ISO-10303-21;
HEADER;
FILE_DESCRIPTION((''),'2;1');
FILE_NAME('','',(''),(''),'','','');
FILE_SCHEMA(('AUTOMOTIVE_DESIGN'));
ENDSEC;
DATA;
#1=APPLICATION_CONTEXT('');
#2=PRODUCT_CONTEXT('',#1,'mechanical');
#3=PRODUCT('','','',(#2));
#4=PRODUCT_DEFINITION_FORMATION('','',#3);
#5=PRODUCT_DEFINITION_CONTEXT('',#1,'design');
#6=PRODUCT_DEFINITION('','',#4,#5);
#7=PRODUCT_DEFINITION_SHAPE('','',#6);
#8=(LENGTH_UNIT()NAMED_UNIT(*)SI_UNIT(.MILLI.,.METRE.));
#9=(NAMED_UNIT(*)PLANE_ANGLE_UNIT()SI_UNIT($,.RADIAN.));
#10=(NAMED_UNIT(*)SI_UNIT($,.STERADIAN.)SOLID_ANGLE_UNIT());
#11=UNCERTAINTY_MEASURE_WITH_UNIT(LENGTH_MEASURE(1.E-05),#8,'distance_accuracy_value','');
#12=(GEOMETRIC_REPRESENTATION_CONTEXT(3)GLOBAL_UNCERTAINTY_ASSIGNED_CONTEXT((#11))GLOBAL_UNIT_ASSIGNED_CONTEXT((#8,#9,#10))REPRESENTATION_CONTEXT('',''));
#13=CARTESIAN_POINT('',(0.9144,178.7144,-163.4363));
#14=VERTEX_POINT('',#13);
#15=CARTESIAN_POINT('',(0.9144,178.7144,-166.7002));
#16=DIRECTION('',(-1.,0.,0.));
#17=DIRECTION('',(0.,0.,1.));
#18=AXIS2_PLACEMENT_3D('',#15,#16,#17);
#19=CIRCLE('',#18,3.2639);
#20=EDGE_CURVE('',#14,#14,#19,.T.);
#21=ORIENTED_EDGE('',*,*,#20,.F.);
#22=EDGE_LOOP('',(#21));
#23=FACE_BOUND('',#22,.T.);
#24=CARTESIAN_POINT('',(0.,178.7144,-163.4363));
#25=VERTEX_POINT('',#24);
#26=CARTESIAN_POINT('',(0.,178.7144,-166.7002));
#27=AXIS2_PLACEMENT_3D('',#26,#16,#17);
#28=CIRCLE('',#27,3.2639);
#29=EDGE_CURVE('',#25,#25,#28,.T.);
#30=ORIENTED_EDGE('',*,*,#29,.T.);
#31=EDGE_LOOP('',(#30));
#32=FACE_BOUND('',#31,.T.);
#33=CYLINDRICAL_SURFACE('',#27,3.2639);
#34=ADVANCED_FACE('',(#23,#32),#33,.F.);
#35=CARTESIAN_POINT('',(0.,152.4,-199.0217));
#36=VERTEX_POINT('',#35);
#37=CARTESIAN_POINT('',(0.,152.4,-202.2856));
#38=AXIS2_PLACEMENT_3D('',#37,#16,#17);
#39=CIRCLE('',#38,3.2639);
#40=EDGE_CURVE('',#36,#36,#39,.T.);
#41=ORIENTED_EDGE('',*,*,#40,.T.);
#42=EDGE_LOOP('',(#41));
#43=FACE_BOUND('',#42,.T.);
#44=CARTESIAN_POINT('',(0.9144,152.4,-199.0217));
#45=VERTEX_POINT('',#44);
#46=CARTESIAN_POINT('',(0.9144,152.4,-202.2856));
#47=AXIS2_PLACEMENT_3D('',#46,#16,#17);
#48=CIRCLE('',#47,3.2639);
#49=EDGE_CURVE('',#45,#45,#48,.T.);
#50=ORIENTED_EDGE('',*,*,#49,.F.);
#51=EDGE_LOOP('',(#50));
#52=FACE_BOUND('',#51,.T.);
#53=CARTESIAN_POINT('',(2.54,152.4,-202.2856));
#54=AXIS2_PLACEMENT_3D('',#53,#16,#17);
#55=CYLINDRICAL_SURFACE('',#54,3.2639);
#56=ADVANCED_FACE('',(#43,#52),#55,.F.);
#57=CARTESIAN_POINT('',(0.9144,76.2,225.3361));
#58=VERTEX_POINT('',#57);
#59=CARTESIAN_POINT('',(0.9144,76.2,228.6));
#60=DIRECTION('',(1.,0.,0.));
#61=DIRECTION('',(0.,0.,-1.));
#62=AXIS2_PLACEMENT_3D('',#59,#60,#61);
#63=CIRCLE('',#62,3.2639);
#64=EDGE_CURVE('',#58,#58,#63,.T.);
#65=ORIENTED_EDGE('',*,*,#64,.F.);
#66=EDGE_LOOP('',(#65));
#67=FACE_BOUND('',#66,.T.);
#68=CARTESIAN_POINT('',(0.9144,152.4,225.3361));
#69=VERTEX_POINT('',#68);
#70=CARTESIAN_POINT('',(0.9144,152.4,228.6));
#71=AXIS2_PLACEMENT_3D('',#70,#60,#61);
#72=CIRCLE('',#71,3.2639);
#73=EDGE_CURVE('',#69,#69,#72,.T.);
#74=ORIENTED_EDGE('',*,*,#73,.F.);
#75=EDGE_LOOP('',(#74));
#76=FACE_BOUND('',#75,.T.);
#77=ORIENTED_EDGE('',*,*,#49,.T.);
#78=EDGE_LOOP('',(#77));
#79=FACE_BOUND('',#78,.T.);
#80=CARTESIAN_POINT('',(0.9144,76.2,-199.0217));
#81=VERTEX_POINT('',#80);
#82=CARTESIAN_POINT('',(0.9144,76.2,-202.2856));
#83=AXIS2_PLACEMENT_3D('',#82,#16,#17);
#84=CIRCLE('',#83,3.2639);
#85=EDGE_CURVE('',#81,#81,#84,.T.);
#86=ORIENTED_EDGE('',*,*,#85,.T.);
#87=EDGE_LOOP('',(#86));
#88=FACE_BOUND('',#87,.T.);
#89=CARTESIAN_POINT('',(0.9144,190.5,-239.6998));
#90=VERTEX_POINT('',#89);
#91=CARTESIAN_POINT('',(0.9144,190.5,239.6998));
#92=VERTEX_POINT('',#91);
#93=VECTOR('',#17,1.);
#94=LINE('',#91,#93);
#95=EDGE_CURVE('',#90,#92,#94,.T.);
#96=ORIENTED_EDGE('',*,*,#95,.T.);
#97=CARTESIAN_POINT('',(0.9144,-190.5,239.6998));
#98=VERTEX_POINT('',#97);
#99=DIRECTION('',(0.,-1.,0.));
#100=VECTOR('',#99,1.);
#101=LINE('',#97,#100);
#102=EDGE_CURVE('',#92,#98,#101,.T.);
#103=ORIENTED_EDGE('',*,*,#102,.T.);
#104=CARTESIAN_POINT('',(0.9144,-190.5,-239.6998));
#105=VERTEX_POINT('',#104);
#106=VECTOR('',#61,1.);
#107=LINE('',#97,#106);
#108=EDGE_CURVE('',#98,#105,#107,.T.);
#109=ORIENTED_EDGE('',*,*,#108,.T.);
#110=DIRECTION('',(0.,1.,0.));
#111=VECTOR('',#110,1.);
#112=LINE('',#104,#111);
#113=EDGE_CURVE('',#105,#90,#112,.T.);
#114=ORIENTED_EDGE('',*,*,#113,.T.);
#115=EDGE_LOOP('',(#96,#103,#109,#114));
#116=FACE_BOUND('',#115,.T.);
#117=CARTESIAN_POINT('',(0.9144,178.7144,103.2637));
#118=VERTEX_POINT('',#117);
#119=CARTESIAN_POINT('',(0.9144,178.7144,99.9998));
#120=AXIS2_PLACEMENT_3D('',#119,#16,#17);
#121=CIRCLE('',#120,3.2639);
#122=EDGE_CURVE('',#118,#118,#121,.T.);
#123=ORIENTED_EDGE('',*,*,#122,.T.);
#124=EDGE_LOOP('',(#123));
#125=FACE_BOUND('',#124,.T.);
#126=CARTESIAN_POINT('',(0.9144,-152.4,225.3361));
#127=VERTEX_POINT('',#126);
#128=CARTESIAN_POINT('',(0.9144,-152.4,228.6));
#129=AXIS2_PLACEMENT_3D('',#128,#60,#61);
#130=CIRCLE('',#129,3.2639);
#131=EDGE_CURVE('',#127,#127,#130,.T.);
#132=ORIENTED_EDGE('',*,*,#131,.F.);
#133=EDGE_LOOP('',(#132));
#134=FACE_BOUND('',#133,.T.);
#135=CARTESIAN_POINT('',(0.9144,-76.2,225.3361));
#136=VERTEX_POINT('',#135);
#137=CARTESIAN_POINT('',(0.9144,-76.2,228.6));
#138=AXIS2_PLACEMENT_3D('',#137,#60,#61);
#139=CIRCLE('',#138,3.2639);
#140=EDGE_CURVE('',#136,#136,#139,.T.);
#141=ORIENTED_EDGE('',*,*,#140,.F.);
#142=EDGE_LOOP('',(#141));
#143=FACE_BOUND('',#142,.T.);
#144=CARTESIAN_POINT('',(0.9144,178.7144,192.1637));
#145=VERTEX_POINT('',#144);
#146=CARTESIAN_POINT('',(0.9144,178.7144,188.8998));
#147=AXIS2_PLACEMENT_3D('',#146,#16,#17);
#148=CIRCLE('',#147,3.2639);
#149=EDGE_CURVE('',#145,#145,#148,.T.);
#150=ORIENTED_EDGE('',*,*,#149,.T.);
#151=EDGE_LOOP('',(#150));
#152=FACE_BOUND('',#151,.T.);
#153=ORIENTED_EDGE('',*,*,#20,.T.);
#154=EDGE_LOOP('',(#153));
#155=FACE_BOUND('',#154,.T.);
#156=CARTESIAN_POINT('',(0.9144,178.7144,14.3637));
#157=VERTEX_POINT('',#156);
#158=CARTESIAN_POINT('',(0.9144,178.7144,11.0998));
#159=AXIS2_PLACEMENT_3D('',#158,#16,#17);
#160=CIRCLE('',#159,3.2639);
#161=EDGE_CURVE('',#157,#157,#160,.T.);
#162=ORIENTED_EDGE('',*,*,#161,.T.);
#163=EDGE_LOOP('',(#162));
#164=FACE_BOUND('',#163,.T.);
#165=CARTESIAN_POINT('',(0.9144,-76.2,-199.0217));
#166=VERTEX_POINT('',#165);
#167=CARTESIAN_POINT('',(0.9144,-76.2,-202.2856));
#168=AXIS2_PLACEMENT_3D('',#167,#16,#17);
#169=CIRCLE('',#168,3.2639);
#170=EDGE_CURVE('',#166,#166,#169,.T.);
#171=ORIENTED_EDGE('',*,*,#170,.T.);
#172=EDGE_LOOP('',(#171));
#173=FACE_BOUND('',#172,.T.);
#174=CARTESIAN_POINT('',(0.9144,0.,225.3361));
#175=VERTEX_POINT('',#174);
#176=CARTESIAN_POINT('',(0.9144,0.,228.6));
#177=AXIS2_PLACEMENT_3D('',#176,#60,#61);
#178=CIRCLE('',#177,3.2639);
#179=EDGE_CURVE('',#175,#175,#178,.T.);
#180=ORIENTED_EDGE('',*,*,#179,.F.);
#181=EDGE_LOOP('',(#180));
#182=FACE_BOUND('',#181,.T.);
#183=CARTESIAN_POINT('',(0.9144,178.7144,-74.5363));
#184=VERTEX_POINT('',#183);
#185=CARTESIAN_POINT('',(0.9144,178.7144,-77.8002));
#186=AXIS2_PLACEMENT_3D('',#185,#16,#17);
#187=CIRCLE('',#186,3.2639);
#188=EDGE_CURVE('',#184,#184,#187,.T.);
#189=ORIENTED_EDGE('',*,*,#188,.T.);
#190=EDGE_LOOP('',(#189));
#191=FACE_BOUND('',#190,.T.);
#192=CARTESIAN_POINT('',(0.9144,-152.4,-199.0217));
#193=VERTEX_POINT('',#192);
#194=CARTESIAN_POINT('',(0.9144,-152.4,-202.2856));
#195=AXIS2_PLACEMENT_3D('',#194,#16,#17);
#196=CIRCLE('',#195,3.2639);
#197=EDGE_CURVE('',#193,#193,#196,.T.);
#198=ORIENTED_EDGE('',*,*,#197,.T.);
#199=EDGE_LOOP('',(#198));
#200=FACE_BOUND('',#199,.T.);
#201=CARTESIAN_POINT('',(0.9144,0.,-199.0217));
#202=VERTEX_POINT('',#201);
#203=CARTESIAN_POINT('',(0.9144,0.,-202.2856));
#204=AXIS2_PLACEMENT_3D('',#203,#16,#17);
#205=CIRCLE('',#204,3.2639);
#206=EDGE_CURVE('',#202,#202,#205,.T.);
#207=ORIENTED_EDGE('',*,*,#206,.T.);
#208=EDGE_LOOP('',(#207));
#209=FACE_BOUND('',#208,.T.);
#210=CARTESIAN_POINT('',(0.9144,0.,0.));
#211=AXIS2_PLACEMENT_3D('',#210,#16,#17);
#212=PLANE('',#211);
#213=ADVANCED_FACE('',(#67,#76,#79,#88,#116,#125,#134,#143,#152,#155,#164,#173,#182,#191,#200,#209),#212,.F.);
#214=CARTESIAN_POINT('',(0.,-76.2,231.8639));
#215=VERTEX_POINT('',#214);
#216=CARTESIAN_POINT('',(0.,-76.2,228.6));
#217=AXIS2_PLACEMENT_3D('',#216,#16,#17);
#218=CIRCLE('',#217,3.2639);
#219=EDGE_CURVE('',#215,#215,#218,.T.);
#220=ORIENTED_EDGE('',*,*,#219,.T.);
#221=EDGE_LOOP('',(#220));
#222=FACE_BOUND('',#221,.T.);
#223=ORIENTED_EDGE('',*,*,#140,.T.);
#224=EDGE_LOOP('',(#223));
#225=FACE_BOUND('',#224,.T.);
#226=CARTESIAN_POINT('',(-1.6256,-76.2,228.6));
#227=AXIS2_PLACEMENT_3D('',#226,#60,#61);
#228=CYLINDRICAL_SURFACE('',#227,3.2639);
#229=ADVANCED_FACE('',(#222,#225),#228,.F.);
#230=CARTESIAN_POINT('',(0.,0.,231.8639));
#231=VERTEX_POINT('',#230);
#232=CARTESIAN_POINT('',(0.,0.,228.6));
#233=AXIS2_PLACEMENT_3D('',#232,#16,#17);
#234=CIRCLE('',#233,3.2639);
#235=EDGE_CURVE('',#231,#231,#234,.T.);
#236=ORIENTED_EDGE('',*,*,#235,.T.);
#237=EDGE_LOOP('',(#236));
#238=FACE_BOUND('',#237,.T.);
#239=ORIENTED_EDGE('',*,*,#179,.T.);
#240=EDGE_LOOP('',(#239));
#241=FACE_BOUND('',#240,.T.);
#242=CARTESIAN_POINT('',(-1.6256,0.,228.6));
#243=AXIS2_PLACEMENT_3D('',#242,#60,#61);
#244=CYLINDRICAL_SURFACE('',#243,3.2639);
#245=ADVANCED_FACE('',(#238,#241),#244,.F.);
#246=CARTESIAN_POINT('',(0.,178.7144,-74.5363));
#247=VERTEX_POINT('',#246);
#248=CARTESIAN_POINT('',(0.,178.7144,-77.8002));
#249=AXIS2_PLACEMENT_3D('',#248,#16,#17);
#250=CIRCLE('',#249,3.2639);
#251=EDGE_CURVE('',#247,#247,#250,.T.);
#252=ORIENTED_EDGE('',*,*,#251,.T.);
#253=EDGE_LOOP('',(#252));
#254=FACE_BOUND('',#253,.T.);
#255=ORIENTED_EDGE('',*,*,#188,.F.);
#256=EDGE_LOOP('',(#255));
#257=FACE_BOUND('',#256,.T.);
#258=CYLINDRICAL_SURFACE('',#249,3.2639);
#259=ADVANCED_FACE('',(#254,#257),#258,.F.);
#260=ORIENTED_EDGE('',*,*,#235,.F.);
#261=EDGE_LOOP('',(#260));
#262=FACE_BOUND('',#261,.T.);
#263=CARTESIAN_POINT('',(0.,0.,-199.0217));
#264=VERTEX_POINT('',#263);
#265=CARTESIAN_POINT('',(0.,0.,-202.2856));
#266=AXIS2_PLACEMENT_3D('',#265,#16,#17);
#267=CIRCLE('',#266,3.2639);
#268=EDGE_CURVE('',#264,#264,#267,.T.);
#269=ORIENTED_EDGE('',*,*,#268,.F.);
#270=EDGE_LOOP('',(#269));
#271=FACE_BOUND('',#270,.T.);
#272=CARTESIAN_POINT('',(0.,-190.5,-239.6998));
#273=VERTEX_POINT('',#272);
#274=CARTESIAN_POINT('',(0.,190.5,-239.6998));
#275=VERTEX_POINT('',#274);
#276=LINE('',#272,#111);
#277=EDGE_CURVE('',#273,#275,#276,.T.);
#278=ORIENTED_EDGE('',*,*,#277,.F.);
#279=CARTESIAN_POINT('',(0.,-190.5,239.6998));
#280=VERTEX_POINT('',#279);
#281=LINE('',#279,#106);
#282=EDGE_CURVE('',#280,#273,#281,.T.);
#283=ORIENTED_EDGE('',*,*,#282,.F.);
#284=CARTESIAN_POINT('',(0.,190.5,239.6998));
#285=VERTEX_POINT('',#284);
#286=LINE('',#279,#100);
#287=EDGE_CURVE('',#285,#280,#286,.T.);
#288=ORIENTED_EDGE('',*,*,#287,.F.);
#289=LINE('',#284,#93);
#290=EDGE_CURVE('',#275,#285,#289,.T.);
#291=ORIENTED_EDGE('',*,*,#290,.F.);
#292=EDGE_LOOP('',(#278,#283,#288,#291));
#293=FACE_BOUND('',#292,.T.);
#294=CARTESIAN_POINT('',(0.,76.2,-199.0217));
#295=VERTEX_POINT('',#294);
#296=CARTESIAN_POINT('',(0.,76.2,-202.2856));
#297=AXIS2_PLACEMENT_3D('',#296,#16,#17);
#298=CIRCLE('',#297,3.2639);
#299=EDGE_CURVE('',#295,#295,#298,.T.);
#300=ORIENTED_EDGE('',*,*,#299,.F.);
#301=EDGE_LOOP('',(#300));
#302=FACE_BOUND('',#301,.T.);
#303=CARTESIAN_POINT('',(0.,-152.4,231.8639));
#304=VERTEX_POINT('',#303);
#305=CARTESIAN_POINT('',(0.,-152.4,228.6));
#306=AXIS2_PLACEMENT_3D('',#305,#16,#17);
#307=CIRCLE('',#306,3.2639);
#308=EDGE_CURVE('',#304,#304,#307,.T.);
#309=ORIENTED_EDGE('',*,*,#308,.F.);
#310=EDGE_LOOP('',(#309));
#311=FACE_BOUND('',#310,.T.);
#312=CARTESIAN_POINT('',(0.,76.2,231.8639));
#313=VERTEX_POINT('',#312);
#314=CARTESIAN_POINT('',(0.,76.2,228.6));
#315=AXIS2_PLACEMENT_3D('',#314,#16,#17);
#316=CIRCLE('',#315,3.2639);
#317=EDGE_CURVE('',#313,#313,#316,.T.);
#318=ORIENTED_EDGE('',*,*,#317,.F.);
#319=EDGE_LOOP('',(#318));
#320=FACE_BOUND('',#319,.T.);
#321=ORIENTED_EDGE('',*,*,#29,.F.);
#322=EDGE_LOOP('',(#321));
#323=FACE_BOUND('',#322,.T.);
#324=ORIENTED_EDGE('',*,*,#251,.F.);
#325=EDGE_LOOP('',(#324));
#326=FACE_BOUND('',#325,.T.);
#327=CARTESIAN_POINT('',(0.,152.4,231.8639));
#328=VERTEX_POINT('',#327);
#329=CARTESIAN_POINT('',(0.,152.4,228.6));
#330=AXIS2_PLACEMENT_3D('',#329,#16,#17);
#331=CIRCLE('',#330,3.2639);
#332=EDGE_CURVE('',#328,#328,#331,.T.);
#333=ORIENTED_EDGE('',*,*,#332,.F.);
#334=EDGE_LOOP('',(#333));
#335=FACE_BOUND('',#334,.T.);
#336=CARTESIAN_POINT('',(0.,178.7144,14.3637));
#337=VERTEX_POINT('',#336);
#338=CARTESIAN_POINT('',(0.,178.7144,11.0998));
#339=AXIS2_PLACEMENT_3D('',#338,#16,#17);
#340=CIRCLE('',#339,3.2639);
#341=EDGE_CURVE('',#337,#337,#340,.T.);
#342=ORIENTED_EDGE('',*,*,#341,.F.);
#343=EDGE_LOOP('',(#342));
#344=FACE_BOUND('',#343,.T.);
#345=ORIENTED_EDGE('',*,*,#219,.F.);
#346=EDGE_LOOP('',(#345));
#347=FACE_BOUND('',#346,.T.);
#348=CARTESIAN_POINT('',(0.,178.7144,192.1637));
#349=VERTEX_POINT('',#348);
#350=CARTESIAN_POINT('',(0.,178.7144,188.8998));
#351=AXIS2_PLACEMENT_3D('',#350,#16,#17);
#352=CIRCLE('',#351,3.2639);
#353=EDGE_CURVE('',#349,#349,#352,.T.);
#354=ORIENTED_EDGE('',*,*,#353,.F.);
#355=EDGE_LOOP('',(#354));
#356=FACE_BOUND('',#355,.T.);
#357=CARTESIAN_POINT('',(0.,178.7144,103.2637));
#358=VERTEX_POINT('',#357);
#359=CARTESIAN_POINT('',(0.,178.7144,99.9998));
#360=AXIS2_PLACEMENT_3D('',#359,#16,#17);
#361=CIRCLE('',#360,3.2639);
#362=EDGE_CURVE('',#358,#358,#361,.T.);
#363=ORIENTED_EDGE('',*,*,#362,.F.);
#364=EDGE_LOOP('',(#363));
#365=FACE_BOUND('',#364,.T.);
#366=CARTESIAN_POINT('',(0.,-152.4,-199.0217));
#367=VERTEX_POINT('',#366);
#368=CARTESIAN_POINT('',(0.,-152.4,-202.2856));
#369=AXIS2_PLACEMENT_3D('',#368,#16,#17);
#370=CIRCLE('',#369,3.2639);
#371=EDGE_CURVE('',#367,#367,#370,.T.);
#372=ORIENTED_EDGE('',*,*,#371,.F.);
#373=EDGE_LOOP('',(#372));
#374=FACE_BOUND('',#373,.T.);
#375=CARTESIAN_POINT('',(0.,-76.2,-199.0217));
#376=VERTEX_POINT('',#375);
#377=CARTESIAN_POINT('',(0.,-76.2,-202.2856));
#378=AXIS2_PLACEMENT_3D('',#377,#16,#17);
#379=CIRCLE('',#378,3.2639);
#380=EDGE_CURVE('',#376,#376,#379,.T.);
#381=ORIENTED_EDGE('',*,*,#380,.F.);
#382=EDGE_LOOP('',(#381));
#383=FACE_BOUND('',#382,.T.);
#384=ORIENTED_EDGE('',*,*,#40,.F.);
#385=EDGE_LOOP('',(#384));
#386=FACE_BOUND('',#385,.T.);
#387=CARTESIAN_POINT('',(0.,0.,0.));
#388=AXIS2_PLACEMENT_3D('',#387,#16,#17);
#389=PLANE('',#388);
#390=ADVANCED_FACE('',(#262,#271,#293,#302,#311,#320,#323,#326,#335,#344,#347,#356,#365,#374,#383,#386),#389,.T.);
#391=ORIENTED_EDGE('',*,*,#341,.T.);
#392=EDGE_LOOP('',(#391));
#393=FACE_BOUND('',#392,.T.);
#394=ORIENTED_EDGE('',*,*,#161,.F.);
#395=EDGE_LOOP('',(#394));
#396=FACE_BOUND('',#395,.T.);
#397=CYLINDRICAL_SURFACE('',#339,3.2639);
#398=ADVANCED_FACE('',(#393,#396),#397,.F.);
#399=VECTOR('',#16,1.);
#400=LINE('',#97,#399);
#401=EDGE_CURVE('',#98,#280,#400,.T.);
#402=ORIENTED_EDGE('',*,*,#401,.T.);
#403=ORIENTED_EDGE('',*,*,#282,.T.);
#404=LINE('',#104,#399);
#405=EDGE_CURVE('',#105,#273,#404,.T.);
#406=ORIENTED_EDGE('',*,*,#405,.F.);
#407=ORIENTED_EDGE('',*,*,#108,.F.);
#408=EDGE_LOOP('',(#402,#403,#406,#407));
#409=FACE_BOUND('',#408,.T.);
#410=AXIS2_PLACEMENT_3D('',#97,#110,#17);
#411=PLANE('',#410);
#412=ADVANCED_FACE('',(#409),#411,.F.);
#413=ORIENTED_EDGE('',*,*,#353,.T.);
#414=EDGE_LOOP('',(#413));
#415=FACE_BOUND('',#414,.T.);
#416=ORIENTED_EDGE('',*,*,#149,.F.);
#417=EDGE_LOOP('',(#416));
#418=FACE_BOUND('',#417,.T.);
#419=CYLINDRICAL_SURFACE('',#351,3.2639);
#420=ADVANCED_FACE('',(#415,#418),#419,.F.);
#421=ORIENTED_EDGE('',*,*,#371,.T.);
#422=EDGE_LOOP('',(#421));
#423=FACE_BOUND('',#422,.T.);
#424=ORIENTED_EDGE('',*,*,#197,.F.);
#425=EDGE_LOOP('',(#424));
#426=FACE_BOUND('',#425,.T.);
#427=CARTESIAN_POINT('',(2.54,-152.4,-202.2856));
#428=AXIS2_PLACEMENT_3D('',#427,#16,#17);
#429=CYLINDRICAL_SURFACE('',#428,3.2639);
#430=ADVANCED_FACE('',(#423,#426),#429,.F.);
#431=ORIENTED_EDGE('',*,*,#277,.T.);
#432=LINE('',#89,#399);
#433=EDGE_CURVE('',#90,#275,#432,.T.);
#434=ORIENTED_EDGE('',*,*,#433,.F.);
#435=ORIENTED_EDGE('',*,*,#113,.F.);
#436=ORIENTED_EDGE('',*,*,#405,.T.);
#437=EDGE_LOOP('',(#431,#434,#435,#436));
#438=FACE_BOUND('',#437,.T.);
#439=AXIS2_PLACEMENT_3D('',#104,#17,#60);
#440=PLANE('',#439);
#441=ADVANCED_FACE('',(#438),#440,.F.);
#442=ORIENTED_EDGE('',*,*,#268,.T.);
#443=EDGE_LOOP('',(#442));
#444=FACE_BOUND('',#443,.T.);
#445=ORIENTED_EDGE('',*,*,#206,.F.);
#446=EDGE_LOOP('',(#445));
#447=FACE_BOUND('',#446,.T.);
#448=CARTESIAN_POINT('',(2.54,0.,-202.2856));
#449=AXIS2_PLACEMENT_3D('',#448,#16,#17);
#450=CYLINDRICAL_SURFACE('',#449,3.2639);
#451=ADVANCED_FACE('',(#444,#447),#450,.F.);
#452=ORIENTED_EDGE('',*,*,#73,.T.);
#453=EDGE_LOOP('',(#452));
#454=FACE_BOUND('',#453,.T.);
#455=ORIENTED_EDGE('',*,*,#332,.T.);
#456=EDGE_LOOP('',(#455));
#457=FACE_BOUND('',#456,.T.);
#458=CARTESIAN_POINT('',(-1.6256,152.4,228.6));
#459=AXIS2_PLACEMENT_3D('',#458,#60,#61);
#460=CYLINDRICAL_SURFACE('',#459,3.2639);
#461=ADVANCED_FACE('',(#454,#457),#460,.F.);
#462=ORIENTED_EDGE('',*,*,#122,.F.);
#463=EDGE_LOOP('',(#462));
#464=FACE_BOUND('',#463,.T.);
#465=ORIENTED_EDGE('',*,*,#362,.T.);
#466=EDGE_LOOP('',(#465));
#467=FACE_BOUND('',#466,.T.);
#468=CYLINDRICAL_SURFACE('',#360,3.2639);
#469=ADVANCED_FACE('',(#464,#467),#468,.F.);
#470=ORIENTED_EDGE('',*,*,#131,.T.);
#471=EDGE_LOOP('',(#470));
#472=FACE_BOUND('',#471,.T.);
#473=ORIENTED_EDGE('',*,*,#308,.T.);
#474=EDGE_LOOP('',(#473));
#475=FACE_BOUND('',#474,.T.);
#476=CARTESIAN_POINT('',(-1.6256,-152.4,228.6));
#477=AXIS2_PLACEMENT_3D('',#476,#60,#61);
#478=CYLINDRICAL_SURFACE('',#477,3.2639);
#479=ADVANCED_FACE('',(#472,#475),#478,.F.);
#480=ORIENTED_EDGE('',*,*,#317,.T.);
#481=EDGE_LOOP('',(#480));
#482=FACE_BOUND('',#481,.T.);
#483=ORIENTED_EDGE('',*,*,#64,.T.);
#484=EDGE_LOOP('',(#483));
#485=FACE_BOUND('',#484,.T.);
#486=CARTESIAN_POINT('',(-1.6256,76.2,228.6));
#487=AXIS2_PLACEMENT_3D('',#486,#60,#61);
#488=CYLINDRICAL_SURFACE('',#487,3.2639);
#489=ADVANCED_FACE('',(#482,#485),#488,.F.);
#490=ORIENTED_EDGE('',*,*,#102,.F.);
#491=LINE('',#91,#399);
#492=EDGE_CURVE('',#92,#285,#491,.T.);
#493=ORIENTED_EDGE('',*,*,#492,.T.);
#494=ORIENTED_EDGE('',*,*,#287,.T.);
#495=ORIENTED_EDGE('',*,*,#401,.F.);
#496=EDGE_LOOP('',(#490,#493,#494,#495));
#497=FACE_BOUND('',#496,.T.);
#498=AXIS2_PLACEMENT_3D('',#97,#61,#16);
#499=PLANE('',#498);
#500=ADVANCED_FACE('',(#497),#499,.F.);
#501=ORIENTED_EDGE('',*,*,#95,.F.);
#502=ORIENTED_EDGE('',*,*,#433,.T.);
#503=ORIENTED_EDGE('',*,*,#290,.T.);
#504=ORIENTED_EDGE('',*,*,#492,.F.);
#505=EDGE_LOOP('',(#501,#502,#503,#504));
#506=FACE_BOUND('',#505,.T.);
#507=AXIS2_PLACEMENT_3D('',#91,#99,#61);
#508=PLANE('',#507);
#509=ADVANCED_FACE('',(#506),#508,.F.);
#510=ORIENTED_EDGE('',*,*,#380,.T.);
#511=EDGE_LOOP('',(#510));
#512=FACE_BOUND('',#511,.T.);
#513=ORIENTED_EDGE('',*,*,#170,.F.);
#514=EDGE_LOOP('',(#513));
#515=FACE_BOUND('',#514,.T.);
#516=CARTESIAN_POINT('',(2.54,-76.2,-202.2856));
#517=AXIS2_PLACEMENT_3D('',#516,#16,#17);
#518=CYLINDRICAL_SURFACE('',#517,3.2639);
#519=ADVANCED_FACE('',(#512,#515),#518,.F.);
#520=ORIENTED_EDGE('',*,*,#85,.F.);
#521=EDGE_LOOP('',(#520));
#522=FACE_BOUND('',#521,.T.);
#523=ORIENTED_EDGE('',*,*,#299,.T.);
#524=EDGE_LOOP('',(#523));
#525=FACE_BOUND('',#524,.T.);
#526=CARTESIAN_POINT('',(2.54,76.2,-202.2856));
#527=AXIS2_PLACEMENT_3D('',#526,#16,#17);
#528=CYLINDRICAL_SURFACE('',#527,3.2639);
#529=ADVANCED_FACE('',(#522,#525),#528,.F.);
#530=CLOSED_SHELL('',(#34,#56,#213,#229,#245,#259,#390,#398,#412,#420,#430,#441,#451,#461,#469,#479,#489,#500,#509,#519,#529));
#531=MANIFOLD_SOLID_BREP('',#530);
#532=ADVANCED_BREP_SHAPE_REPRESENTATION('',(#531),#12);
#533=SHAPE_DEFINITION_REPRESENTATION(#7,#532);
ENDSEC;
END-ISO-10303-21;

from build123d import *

# Parameters (mm, degrees)
SKETCH1_W                = 479.3996
SKETCH1_H                = 381
BOSS_EXTRUDE1_DEPTH      = 0.9144
F_0_257_DIAMETER_HOLE1_D = 6.5278
SKETCH4_R                = 3.2639
CUT_EXTRUDE1_DEPTH       = 2.54
SKETCH5_R                = 3.2639
CUT_EXTRUDE2_DEPTH       = 2.54


with BuildPart() as part:
    # Sketch1 → Boss-Extrude1 (new body)
    with BuildSketch(Plane(origin=(0, 0, 0), x_dir=(0, 0, -1), z_dir=(1, 0, 0))):
        Rectangle(SKETCH1_W, SKETCH1_H)
    extrude(amount=BOSS_EXTRUDE1_DEPTH)

    # F (0.257) Diameter Hole1 (through all)
    with Locations(Plane.ZY):
        with Locations((188.8998, 178.7144), (99.9998, 178.7144), (11.0998, 178.7144), (-77.8002, 178.7144), (-166.7002, 178.7144)):
            Hole(F_0_257_DIAMETER_HOLE1_D / 2)

    # Sketch4 → Cut-Extrude1 (cut)
    with BuildSketch(Plane(origin=(0.9144, 0, 0), x_dir=(0, 0, -1), z_dir=(1, 0, 0))):
        with Locations((-228.6, 152.4)):
            Circle(SKETCH4_R)
        with Locations((-228.6, 76.2)):
            Circle(SKETCH4_R)
        with Locations((-228.6, 0)):
            Circle(SKETCH4_R)
        with Locations((-228.6, -76.2)):
            Circle(SKETCH4_R)
        with Locations((-228.6, -152.4)):
            Circle(SKETCH4_R)
    extrude(amount=-CUT_EXTRUDE1_DEPTH, mode=Mode.SUBTRACT)

    # Sketch5 → Cut-Extrude2 (cut)
    with BuildSketch(Plane.ZY):
        with Locations((-202.2856, 152.4)):
            Circle(SKETCH5_R)
        with Locations((-202.2856, 76.2)):
            Circle(SKETCH5_R)
        with Locations((-202.2856, 0)):
            Circle(SKETCH5_R)
        with Locations((-202.2856, -76.2)):
            Circle(SKETCH5_R)
        with Locations((-202.2856, -152.4)):
            Circle(SKETCH5_R)
    extrude(amount=-CUT_EXTRUDE2_DEPTH, mode=Mode.SUBTRACT)


solid = part.part
